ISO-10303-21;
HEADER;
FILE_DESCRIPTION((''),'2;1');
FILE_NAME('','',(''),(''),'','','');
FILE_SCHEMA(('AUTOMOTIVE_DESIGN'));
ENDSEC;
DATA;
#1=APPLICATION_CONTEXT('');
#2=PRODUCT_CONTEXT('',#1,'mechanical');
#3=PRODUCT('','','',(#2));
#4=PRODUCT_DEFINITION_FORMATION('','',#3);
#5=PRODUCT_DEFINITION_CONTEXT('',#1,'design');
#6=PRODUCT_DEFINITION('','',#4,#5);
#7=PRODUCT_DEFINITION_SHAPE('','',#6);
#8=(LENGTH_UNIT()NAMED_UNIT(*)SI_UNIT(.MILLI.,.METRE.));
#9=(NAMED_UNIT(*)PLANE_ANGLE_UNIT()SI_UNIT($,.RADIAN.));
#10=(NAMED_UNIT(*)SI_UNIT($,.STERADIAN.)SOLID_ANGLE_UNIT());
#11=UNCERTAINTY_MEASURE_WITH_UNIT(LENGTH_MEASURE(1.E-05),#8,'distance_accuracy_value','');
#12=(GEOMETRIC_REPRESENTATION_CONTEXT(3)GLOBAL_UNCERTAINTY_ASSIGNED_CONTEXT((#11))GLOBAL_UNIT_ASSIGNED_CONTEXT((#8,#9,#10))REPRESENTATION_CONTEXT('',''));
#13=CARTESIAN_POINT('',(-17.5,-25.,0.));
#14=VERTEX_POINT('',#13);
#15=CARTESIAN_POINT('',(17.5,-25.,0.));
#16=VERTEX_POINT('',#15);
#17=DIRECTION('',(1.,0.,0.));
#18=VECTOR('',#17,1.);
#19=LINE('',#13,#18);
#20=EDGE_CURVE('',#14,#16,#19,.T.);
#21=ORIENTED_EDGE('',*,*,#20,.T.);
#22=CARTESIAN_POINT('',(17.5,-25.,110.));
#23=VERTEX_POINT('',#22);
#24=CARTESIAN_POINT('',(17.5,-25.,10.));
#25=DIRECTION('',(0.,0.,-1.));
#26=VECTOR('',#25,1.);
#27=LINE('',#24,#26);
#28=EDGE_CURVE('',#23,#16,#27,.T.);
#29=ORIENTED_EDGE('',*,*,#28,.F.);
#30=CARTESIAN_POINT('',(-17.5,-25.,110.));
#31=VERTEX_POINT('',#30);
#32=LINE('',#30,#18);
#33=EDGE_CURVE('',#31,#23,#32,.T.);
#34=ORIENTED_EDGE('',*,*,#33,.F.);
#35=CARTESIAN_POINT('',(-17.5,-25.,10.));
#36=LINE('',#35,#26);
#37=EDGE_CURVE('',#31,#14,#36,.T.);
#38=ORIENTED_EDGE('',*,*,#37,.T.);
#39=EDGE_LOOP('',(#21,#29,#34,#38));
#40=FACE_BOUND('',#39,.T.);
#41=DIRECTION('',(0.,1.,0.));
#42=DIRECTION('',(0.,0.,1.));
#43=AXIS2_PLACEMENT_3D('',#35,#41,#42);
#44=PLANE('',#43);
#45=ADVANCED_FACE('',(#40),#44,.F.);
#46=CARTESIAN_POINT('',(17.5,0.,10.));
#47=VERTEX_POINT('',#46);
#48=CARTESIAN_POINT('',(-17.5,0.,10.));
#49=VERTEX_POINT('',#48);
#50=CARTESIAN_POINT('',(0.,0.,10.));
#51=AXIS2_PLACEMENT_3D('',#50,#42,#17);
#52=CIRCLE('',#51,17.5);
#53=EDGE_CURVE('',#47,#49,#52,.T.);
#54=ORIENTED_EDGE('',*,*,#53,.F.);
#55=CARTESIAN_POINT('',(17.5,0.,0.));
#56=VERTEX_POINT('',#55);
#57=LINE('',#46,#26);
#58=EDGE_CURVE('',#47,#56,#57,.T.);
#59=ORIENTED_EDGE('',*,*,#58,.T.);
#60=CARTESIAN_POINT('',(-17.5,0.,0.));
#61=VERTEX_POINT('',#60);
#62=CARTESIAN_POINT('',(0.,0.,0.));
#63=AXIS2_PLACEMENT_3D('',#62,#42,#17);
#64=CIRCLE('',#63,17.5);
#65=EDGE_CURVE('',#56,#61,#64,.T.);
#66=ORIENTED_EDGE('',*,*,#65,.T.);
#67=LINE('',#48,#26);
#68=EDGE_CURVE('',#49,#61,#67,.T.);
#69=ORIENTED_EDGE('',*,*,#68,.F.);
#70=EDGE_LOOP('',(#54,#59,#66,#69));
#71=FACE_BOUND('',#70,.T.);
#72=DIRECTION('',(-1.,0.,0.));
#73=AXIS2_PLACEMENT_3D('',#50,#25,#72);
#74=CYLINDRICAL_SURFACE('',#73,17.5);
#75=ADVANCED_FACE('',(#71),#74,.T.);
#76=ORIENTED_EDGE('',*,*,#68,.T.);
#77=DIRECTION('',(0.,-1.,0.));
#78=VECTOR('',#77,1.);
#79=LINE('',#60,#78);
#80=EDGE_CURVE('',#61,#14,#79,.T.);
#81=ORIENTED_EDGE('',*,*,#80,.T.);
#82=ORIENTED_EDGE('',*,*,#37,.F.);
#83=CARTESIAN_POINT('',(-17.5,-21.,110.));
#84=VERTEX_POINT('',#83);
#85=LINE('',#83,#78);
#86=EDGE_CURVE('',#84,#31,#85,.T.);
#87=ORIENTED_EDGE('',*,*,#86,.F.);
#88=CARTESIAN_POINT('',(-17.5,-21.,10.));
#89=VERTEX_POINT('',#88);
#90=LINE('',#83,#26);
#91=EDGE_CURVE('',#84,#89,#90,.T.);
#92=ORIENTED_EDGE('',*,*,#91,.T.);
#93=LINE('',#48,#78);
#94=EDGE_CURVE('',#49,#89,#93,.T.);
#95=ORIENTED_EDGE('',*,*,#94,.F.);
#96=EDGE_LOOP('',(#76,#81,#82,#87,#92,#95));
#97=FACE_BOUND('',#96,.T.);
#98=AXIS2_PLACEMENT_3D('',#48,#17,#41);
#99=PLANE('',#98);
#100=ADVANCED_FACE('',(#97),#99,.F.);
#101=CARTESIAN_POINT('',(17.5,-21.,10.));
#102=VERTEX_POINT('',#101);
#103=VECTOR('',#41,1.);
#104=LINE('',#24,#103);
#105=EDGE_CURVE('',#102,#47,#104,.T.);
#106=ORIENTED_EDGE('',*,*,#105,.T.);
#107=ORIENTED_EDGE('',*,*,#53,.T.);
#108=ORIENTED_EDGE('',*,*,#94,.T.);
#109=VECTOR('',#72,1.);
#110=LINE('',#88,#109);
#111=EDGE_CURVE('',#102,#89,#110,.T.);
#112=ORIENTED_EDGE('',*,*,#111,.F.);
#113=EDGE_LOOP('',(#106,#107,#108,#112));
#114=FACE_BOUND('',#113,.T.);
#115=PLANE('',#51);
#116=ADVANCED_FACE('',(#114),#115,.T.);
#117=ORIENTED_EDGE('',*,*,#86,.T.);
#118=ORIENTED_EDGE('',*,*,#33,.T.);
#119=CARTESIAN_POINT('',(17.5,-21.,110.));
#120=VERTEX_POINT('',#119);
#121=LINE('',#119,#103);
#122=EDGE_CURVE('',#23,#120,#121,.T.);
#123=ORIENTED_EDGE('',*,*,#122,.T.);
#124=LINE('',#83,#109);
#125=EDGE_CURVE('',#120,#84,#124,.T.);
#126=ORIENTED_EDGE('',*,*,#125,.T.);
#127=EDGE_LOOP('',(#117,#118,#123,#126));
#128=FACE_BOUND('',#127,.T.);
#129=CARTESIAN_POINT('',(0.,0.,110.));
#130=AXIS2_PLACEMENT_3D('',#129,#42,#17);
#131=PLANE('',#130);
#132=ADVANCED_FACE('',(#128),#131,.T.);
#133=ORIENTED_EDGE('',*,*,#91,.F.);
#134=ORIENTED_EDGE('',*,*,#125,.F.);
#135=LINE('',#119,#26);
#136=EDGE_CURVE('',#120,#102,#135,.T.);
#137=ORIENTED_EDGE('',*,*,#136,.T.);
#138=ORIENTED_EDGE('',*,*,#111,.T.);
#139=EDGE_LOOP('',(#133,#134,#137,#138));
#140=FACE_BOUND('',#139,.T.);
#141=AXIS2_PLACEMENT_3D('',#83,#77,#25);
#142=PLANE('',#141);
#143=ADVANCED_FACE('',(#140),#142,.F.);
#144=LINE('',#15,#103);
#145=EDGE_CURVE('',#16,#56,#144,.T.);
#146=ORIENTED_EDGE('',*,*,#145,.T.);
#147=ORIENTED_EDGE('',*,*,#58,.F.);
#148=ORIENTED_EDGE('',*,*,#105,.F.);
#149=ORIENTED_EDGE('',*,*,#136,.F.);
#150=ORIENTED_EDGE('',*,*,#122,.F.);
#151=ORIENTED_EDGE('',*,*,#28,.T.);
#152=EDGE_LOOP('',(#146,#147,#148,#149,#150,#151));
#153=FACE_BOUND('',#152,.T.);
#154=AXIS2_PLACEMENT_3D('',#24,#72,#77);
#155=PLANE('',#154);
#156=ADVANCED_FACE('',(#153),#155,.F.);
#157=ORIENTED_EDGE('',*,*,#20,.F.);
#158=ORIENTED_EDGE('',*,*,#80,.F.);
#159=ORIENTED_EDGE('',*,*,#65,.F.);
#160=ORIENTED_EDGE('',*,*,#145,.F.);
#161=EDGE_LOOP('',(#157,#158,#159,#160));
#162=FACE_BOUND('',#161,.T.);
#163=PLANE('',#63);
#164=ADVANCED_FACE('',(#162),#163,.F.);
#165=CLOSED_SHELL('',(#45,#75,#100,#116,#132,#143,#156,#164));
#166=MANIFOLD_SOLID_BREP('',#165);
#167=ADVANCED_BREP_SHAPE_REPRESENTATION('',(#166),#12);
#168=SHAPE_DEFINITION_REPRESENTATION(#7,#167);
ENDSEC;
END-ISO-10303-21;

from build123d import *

# Parameters (mm, degrees)
EXTRUDE_1_DEPTH = 10
SKETCH_2_W      = 35
SKETCH_2_H      = 4
EXTRUDE_2_DEPTH = 100


with BuildPart() as part:
    # 草图1 → 凸台-拉伸1 (new body)
    with BuildSketch(Plane.XY):
        with BuildLine():
            Line((-17.5, 0), (-17.5, -25))
            Line((-17.5, -25), (17.5, -25))
            Line((17.5, -25), (17.5, 0))
            ThreePointArc((17.5, 0), (0, 17.5), (-17.5, 0))
        make_face()
    extrude(amount=EXTRUDE_1_DEPTH)

    # 草图2 → 凸台-拉伸2 (add)
    with BuildSketch(Plane.XY.offset(10)):
        with Locations((0, -23)):
            Rectangle(SKETCH_2_W, SKETCH_2_H)
    extrude(amount=EXTRUDE_2_DEPTH)


solid = part.part
